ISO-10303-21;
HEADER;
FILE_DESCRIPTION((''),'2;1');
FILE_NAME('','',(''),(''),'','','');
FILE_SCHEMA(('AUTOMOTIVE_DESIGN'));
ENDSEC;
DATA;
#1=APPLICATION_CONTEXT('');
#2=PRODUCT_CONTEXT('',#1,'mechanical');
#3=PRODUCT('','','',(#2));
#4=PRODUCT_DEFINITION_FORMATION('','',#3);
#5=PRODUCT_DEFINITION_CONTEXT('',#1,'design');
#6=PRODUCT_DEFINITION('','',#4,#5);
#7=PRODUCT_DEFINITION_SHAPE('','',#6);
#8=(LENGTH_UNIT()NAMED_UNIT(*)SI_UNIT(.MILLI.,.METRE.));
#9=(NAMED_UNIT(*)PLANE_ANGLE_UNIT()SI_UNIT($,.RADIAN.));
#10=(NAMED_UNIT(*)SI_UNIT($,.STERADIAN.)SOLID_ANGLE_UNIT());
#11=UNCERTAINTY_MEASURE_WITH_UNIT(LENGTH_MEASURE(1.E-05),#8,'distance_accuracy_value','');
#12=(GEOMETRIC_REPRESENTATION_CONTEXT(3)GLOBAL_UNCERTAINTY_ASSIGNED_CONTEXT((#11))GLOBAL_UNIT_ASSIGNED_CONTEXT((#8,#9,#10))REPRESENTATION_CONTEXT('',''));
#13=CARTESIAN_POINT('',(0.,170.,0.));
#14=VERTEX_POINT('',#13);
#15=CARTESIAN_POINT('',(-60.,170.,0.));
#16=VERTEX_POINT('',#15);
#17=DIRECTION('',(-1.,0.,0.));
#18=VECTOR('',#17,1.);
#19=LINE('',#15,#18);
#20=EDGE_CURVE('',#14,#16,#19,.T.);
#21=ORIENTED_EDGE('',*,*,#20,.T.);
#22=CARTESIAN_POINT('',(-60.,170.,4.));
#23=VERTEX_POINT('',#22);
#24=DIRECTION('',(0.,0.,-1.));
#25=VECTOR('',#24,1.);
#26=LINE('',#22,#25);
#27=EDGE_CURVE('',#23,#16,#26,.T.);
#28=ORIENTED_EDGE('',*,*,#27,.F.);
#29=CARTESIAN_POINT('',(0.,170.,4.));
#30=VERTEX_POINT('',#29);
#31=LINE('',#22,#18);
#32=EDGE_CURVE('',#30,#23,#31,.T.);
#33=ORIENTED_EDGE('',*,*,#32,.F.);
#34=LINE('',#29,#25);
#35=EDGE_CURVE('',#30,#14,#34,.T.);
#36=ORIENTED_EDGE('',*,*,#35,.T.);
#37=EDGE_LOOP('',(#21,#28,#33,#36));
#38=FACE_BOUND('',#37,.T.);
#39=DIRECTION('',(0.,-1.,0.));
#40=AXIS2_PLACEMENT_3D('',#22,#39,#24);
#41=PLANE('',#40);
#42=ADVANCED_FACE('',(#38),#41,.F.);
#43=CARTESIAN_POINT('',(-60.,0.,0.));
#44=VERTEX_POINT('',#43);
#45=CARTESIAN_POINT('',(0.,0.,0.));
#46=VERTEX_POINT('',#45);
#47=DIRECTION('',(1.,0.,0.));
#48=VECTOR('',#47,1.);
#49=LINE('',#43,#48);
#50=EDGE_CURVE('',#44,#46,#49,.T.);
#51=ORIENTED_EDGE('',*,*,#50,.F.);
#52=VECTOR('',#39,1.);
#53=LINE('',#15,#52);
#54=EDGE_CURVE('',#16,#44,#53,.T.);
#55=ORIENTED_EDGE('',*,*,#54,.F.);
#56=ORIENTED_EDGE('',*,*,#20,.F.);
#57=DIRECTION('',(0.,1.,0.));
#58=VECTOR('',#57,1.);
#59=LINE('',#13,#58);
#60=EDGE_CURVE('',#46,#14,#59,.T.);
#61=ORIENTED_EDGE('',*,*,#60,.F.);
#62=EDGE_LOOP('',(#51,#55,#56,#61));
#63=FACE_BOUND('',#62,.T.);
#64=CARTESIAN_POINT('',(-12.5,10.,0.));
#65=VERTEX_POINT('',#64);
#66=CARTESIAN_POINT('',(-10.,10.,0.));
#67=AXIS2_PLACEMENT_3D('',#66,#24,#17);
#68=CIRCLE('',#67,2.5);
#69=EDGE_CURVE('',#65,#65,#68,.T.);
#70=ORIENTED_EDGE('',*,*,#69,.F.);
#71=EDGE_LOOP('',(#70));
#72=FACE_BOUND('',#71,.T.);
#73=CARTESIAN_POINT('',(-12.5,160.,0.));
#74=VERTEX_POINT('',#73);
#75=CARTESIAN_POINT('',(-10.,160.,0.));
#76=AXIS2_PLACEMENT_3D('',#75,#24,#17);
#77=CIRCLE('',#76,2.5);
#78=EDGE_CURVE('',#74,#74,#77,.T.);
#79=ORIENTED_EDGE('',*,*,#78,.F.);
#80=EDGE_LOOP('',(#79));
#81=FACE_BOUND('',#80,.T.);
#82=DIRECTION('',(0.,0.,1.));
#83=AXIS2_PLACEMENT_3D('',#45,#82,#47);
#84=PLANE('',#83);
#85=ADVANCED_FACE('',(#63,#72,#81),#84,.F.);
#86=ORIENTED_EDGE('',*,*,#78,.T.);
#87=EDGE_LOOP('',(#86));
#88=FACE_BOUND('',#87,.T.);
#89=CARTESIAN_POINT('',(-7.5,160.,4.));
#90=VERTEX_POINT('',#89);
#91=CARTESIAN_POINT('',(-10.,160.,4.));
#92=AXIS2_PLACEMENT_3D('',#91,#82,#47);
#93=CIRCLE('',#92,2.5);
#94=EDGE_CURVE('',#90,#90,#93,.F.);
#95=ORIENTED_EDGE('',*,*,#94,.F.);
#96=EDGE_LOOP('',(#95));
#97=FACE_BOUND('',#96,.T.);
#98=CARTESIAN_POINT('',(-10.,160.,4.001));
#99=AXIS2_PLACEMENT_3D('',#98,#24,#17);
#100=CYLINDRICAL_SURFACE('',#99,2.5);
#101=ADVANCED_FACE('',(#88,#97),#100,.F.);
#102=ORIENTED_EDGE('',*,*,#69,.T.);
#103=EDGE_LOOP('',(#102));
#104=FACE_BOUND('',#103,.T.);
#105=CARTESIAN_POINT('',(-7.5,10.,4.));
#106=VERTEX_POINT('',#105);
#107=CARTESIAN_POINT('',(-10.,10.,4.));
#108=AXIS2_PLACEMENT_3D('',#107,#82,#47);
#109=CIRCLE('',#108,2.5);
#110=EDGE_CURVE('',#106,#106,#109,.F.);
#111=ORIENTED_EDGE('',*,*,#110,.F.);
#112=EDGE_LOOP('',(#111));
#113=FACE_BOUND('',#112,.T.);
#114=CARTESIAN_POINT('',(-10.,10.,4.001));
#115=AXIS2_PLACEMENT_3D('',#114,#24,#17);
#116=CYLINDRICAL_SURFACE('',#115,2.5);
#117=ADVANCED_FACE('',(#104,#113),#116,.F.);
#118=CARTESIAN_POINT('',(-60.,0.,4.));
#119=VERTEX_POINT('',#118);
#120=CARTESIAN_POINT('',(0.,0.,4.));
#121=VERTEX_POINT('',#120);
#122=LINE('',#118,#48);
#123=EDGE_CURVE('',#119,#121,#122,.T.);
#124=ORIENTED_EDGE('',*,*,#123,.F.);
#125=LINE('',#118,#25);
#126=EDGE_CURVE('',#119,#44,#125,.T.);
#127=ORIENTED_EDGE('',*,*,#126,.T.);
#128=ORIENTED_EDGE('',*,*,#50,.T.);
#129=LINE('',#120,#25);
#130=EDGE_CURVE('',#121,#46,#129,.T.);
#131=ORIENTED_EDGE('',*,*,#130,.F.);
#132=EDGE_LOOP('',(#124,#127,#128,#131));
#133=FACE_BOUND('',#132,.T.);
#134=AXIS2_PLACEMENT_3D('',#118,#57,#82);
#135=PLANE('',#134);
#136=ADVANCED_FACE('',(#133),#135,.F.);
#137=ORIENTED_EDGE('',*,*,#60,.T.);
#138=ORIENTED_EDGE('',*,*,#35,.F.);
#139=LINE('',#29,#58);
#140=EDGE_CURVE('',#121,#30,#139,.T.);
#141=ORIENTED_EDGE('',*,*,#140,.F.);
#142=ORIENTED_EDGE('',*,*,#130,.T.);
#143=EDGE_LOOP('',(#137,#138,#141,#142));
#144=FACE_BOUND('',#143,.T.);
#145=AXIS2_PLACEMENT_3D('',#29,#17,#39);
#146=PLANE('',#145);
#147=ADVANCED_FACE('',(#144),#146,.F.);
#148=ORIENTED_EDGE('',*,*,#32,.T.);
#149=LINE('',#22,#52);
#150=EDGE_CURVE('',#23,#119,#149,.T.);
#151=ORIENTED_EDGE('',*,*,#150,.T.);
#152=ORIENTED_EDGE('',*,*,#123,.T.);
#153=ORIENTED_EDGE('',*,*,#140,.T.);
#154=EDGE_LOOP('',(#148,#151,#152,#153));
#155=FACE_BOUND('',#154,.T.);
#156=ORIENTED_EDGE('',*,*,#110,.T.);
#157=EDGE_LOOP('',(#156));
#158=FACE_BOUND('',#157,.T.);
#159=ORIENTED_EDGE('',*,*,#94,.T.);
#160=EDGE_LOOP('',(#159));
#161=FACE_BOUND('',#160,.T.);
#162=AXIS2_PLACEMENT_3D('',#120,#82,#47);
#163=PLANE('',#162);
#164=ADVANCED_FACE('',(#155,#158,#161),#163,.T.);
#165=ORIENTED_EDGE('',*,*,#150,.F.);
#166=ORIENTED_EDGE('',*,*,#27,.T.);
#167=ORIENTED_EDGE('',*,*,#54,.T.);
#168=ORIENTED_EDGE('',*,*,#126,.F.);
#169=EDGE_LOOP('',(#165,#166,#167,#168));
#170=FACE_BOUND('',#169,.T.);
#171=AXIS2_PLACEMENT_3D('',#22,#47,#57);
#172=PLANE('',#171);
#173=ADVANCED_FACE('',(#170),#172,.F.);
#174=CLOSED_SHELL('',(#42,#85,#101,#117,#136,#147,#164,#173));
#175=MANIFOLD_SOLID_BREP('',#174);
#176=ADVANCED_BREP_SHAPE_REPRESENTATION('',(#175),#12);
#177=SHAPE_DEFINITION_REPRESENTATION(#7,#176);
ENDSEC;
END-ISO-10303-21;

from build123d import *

# Parameters (mm, degrees)
SKETCH1_W           = 60
SKETCH1_H           = 170
BOSS_EXTRUDE1_DEPTH = 4
CUT_EXTRUDE1_REACH  = 182.322
SKETCH2_R           = 2.5


with BuildPart() as part:
    # Sketch1 → Boss-Extrude1 (new body)
    with BuildSketch(Plane.XY):
        with Locations((-30, 85)):
            Rectangle(SKETCH1_W, SKETCH1_H)
    extrude(amount=BOSS_EXTRUDE1_DEPTH)

    # Sketch2 → Cut-Extrude1 (cut, up to next)
    with BuildSketch(Plane(origin=(0, 0, 0), x_dir=(-1, 0, 0), z_dir=(0, 0, -1)), mode=Mode.PRIVATE) as cut_extrude1_sk1:
        with Locations((10, 10)):
            Circle(SKETCH2_R)
    cut_extrude1_tool1 = extrude(cut_extrude1_sk1.sketch, amount=-CUT_EXTRUDE1_REACH, mode=Mode.PRIVATE) & part.part
    # Sketch2 → Cut-Extrude1 (cut, up to next)
    with BuildSketch(Plane(origin=(0, 0, 0), x_dir=(-1, 0, 0), z_dir=(0, 0, -1)), mode=Mode.PRIVATE) as cut_extrude1_sk2:
        with Locations((10, 160)):
            Circle(SKETCH2_R)
    cut_extrude1_tool2 = extrude(cut_extrude1_sk2.sketch, amount=-CUT_EXTRUDE1_REACH, mode=Mode.PRIVATE) & part.part
    add(cut_extrude1_tool1.solids().sort_by_distance((-10, 10, 0))[0], mode=Mode.SUBTRACT)
    add(cut_extrude1_tool2.solids().sort_by_distance((-10, 160, 0))[0], mode=Mode.SUBTRACT)


solid = part.part
